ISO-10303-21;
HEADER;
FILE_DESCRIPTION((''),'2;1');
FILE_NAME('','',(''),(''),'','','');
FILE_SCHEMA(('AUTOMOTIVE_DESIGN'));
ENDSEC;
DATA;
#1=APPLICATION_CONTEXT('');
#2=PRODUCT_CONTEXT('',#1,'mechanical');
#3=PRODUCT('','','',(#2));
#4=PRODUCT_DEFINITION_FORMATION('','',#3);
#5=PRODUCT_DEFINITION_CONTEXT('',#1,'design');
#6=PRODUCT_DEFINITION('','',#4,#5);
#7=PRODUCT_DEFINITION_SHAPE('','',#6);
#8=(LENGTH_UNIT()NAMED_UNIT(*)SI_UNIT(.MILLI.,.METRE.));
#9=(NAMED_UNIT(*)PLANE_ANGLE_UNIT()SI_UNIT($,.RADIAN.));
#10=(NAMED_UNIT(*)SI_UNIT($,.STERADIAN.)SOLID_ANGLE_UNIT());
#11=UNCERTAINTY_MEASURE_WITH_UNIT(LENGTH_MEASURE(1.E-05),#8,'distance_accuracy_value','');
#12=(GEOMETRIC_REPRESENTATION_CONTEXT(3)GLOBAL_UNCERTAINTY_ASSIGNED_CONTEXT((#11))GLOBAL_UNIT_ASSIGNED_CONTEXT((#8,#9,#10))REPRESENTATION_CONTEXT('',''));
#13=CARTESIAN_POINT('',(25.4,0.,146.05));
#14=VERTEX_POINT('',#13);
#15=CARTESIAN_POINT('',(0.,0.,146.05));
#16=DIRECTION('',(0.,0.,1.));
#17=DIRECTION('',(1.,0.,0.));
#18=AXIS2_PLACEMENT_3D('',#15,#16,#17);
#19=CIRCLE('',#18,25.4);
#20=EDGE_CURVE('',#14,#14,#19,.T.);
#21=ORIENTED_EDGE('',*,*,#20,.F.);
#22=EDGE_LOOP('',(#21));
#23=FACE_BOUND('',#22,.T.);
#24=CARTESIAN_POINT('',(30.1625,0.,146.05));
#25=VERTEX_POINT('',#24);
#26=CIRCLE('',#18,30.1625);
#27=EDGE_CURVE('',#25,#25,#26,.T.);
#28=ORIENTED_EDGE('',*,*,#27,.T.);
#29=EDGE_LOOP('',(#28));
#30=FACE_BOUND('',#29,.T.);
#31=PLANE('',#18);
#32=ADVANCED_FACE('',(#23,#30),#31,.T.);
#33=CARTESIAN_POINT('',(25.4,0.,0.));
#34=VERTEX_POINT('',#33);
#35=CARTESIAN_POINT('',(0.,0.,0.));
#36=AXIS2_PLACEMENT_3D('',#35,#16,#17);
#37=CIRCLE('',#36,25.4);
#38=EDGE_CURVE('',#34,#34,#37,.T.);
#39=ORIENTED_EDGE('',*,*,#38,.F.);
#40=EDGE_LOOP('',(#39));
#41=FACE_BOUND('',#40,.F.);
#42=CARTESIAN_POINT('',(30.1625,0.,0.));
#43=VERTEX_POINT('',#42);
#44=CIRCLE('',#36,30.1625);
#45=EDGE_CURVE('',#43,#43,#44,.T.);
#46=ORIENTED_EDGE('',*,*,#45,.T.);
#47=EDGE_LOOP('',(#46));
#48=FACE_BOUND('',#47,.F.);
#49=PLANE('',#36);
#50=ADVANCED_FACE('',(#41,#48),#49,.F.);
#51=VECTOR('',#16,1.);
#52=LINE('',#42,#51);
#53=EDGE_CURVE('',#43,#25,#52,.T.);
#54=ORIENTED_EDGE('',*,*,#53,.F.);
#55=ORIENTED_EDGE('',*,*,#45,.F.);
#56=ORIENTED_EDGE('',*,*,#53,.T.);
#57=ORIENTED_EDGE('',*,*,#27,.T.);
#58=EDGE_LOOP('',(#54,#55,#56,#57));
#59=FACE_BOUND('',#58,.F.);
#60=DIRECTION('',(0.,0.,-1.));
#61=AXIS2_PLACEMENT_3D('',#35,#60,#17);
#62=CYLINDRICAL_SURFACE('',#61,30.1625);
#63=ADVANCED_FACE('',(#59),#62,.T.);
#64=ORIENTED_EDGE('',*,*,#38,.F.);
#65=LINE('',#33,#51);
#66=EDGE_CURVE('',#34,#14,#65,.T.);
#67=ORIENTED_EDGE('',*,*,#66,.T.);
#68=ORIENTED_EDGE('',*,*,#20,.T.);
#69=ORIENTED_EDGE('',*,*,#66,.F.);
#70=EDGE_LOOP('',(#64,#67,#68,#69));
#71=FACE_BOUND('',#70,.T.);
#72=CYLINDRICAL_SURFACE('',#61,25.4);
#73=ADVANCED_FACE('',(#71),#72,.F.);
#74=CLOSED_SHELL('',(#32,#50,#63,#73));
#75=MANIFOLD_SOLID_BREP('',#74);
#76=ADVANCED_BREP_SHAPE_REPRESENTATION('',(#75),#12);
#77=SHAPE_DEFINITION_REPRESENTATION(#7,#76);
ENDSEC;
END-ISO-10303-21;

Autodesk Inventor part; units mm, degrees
ref_plane "YZ Plane" through (0, 0, 0) normal (1, 0, 0) x (0, 1, 0)
ref_plane "XZ Plane" through (0, 0, 0) normal (0, 1, 0) x (-1, 0, 0)
ref_plane "XY Plane" through (0, 0, 0) normal (0, 0, 1) x (1, 0, 0)
sketch "Sketch1" plane through (0, 0, 0) normal (0, 0, 1) x (1, 0, 0)
  circle A0 centre (0, 0) radius 25.4
  circle A1 centre (0, 0) radius 30.1625
  dimension "d0" = 50.8
  dimension "d1" = 60.325
extrude "Extrusion1" add sketch "Sketch1" along normal blind 146.05
properties part number "roller" material "PVC-Piping"
